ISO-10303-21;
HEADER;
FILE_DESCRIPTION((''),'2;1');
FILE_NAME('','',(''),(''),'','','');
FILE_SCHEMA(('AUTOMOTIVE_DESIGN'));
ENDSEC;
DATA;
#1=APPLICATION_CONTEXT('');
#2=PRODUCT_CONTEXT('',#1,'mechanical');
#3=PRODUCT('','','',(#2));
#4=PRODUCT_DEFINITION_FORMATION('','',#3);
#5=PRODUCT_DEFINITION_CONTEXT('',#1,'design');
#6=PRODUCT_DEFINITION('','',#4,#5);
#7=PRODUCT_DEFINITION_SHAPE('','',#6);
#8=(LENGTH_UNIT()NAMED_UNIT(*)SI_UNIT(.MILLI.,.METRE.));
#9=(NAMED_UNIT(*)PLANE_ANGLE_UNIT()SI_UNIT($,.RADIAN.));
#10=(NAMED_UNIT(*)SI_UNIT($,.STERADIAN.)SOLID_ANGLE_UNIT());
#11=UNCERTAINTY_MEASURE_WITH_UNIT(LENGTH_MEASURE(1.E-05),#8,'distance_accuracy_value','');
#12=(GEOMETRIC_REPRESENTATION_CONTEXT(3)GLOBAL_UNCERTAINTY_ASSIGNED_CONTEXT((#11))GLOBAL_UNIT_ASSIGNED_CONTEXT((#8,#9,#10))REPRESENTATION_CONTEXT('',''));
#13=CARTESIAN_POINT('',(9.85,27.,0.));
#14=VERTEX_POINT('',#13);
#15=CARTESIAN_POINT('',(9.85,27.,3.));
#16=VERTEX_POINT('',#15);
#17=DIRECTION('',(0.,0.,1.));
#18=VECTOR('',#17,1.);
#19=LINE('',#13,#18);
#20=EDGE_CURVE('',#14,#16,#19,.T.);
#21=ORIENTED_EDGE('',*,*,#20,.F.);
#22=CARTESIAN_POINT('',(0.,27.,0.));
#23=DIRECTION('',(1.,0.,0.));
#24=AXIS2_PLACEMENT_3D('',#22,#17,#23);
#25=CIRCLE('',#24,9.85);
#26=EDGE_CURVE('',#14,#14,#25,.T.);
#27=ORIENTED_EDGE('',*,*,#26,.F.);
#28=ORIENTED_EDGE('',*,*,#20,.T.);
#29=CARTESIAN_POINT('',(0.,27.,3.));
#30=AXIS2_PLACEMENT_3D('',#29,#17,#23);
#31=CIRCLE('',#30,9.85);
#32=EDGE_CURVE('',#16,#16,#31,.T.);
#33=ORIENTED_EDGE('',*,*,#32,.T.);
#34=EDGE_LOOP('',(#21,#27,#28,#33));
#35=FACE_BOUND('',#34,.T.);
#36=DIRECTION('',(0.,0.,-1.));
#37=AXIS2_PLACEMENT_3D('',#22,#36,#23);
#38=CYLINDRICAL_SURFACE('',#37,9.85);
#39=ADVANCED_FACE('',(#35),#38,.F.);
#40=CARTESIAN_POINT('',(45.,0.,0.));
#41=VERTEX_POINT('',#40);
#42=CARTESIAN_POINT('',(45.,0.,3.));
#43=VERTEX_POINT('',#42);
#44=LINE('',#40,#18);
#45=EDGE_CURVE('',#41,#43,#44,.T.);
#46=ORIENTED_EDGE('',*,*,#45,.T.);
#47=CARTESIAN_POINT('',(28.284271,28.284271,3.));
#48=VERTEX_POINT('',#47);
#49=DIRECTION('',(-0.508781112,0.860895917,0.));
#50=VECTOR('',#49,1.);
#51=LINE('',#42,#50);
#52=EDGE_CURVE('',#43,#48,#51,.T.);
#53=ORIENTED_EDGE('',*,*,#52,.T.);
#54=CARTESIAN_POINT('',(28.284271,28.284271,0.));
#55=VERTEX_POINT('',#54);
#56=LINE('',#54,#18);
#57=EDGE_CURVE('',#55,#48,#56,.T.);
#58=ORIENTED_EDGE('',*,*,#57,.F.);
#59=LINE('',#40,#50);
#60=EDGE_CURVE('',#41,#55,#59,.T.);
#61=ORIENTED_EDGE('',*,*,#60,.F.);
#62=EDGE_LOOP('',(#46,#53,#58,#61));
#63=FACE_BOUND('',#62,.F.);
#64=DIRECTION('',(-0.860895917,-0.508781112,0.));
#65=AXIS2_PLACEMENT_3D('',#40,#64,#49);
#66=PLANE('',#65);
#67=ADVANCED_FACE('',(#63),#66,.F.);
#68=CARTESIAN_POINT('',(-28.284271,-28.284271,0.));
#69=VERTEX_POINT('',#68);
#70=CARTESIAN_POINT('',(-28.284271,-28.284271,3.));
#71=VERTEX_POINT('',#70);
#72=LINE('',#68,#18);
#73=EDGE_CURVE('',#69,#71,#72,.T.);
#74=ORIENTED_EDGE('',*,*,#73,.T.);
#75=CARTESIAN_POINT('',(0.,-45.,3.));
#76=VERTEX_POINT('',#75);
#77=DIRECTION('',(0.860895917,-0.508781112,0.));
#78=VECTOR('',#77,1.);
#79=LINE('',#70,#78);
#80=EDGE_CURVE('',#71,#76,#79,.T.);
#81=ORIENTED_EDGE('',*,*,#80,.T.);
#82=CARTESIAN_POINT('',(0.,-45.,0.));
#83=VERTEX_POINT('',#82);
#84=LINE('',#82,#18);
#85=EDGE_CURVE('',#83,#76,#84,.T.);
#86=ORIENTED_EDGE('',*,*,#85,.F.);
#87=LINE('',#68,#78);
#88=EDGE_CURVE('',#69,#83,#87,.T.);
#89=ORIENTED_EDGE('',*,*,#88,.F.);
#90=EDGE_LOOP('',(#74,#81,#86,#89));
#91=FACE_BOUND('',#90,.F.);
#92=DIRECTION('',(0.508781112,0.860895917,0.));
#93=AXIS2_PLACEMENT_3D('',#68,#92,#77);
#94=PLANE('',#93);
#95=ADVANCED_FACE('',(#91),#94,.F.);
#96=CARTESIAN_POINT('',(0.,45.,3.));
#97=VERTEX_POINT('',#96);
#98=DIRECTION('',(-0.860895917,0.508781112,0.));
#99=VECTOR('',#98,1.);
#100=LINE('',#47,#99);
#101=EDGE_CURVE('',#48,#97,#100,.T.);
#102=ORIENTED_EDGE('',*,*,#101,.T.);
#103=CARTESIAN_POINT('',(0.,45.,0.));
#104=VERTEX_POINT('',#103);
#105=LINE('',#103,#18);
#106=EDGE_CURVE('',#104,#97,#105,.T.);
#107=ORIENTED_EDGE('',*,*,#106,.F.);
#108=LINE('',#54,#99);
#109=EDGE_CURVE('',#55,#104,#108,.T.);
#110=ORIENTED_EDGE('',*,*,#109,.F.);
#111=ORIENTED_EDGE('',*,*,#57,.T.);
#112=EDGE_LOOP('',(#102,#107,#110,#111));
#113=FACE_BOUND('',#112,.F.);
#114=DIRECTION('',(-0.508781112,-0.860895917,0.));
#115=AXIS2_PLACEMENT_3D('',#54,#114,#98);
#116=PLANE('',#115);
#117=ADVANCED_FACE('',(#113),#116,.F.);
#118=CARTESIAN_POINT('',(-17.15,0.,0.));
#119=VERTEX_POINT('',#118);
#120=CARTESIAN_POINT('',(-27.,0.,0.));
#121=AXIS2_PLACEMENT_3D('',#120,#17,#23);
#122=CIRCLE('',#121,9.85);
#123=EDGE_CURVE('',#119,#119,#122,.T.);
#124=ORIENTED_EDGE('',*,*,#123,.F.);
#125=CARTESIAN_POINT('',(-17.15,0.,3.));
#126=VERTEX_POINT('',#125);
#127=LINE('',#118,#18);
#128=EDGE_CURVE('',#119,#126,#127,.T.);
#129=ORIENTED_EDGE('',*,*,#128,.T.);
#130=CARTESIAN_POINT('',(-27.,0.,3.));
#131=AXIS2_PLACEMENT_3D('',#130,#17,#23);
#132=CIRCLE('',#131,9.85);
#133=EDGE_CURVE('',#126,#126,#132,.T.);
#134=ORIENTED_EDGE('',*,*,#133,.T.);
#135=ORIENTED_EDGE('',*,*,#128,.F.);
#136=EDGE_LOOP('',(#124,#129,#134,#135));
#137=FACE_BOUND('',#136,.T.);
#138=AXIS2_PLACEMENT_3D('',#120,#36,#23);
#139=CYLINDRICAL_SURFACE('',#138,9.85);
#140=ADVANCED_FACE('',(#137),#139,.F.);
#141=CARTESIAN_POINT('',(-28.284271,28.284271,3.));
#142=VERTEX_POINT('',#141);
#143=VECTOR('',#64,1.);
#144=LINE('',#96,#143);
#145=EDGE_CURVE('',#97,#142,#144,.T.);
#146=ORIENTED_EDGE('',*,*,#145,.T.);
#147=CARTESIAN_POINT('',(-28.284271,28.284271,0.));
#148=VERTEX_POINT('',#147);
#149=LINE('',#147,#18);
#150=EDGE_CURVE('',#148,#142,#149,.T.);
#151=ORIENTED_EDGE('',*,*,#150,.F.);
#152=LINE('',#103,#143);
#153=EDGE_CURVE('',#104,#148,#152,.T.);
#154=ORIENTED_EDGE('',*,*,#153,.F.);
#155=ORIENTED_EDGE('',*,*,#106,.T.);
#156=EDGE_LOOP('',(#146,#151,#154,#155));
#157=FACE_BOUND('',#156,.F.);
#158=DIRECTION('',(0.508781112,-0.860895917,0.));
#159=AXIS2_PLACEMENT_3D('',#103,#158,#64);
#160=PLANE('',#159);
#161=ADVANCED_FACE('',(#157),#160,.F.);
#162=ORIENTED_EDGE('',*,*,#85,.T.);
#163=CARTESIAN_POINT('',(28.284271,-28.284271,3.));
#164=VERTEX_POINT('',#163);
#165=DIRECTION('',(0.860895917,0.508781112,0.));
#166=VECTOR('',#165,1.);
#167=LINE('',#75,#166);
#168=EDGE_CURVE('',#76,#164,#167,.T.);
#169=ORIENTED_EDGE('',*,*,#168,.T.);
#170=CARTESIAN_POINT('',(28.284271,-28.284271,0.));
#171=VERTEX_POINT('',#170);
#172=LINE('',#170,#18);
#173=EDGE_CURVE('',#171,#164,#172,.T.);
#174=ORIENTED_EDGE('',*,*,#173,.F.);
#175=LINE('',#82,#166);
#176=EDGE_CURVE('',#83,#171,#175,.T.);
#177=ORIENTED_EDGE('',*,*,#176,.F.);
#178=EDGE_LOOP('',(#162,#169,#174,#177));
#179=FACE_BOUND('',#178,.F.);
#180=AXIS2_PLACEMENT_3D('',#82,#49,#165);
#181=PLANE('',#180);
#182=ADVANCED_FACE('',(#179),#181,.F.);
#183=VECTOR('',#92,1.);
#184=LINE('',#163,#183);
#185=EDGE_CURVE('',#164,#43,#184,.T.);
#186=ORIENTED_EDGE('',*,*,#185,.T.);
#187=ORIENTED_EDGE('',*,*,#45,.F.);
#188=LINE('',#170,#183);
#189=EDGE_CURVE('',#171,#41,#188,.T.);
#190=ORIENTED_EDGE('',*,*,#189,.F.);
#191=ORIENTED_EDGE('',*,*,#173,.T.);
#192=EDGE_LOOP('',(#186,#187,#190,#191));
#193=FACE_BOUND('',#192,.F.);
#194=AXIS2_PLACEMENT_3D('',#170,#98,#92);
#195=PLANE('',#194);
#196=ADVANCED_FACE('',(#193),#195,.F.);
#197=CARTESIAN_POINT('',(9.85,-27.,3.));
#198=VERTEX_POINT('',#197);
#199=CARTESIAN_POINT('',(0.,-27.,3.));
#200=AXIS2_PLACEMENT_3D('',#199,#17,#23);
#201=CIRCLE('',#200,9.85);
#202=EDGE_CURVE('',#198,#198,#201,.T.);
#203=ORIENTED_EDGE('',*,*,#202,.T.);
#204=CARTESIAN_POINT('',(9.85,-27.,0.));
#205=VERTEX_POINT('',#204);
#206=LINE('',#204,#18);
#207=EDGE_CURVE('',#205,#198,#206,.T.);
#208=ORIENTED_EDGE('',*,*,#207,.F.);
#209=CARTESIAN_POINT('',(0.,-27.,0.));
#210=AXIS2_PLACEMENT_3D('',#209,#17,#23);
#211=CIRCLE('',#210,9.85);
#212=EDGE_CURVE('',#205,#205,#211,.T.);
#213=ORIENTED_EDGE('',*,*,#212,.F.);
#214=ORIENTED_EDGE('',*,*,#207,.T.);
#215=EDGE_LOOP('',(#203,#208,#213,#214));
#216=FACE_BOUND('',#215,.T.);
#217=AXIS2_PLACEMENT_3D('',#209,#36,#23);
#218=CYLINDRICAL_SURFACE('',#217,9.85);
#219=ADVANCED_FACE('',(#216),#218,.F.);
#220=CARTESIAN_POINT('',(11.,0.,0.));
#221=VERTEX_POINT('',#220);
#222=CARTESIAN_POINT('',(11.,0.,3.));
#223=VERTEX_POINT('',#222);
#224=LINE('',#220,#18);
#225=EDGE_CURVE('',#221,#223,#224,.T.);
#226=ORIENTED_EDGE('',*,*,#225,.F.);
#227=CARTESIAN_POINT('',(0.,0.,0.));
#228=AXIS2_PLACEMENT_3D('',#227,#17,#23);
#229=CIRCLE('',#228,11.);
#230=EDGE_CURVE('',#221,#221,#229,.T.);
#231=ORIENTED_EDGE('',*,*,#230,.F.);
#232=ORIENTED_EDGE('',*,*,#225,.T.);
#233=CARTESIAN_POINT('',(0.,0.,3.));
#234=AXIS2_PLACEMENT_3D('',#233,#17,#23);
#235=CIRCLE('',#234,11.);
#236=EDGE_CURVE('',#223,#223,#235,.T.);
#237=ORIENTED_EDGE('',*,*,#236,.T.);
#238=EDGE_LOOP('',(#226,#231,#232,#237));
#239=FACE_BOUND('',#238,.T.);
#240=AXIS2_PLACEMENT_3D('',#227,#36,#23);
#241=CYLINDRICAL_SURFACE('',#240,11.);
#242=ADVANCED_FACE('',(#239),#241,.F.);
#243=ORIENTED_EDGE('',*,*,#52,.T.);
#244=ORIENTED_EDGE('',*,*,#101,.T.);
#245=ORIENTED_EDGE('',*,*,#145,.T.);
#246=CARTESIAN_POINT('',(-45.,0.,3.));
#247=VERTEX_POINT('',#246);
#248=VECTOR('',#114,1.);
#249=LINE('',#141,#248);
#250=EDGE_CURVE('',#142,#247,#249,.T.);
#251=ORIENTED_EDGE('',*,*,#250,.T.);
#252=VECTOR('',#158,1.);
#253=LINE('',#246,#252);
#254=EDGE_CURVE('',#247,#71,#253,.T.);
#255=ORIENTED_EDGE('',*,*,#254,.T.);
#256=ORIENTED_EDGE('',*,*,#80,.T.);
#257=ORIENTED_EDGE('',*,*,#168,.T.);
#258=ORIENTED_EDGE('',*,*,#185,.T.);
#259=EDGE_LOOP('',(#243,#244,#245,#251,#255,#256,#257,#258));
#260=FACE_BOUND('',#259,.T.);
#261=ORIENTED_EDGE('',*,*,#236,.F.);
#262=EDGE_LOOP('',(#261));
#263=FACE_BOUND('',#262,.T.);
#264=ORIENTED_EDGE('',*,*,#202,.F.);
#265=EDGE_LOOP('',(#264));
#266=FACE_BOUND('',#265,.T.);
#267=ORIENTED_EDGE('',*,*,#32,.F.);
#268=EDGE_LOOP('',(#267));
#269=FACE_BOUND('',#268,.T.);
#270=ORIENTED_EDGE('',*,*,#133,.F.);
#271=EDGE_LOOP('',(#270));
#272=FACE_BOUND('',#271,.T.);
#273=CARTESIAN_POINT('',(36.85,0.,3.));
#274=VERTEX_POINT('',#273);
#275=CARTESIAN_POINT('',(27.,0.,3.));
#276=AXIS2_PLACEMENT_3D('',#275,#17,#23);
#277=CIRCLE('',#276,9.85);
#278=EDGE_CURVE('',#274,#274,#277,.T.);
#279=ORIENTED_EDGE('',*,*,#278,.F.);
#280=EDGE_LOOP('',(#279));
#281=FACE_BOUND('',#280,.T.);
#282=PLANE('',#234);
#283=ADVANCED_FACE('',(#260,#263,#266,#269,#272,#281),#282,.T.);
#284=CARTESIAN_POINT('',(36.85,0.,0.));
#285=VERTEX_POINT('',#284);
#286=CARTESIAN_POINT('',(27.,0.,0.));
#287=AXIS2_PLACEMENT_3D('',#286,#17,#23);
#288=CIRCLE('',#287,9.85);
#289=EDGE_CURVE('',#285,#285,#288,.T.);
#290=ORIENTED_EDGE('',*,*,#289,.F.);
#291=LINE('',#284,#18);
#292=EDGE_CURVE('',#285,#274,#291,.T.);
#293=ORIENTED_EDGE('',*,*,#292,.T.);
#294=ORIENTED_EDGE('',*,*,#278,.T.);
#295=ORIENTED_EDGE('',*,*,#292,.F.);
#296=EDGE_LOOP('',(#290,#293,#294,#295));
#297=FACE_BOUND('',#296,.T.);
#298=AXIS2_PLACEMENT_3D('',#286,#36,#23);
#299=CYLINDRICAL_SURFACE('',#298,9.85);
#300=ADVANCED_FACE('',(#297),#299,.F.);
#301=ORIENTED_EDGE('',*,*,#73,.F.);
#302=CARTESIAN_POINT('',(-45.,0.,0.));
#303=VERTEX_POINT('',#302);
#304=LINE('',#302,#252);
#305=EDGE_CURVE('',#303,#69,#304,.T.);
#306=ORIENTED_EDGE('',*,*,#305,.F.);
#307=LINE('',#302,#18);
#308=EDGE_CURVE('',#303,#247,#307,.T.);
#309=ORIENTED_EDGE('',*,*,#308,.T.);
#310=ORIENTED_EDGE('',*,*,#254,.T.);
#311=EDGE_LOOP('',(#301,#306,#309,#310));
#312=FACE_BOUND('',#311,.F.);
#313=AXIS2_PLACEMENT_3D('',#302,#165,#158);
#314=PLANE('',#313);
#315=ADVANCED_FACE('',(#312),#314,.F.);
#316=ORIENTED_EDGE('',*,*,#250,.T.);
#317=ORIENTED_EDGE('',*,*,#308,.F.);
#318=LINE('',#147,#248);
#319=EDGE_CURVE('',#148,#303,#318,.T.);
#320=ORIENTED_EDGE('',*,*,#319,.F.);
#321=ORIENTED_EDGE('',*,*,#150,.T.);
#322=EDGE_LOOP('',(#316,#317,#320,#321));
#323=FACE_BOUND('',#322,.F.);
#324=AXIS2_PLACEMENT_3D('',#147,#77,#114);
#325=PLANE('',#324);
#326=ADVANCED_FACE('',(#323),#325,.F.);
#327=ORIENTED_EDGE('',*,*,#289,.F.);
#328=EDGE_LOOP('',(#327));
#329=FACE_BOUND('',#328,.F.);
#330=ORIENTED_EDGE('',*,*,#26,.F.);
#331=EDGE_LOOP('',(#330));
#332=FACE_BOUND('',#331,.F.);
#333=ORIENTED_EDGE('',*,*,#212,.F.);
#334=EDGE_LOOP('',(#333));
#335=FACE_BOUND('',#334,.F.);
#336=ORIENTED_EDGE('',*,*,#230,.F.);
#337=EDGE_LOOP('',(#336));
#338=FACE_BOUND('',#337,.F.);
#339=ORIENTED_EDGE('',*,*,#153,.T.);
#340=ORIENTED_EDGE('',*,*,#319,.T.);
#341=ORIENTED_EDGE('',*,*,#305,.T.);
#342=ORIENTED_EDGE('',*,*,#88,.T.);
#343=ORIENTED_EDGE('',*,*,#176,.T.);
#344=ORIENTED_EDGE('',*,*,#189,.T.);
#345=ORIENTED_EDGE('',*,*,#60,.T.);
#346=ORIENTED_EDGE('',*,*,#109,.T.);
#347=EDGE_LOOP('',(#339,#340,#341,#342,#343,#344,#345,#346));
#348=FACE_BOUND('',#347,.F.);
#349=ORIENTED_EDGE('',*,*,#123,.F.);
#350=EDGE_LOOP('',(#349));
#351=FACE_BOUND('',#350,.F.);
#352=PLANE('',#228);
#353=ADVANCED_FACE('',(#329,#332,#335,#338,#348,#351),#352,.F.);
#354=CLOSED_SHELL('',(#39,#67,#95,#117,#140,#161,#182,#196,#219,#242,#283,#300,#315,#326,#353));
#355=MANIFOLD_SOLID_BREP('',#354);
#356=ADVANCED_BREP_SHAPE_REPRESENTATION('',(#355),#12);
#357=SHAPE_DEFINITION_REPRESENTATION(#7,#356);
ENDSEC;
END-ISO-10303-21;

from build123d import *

# Parameters (mm, degrees)
F0_R     = 9.85
F0_R_2   = 11
F1_DEPTH = 3


with BuildPart() as f1:
    # F0 (on Top) → F1 (new body)
    with BuildSketch(Plane.XY):
        Polygon((-28.284271, 28.284271), (-45, 0), (-28.284271, -28.284271), (0, -45), (28.284271, -28.284271), (45, 0), (28.284271, 28.284271), (0, 45), align=None)
        with Locations((0, -27)):
            Circle(F0_R, mode=Mode.SUBTRACT)
        with Locations((-27, 0)):
            Circle(F0_R, mode=Mode.SUBTRACT)
        Circle(F0_R_2, mode=Mode.SUBTRACT)
        with Locations((27, 0)):
            Circle(F0_R, mode=Mode.SUBTRACT)
        with Locations((0, 27)):
            Circle(F0_R, mode=Mode.SUBTRACT)
    extrude(amount=F1_DEPTH)


solid = f1.part
